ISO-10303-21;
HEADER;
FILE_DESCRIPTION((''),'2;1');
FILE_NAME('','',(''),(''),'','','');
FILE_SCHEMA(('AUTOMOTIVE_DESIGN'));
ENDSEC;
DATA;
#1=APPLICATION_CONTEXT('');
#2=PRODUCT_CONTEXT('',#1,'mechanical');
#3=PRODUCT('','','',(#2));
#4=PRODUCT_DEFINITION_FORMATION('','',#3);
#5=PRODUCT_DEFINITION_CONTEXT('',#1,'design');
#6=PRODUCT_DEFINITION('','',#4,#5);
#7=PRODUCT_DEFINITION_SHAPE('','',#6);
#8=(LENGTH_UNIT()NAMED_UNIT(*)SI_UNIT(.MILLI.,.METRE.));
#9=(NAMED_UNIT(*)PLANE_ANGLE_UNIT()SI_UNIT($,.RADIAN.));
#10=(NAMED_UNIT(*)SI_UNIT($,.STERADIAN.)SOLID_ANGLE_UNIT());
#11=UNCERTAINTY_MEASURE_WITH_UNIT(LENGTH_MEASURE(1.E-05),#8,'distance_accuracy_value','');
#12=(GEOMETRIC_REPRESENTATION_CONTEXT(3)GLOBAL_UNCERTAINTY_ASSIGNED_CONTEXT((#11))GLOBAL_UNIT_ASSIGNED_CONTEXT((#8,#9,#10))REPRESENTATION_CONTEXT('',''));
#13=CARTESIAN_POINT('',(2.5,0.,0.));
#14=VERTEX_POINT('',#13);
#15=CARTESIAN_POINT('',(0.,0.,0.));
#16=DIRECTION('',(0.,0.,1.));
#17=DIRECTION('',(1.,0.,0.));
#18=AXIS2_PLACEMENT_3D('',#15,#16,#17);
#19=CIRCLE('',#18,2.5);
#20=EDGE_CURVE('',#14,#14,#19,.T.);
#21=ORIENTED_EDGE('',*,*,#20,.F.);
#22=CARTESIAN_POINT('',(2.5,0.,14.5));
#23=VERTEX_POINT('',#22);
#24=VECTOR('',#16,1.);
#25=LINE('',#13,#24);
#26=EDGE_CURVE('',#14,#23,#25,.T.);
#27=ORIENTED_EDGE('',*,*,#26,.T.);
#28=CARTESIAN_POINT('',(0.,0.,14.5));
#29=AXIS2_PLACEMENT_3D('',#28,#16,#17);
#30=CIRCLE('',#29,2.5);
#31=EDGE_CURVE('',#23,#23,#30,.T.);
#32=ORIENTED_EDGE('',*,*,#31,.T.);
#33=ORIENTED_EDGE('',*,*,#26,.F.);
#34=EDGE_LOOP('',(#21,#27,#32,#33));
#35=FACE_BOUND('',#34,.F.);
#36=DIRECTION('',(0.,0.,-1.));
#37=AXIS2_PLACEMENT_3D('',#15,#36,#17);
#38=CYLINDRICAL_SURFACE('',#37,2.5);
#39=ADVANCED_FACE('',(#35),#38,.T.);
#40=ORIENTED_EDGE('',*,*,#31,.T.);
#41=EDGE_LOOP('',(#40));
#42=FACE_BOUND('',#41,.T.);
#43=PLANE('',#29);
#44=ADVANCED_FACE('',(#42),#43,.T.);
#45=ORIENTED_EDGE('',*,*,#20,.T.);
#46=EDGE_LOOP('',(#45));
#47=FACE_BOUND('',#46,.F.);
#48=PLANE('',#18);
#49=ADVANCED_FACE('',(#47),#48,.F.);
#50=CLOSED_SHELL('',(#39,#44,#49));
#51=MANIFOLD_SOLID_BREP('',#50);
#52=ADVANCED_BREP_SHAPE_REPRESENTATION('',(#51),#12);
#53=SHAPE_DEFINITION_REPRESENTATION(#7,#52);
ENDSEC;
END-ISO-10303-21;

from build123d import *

# Parameters (mm, degrees)
SKETCH_1_R      = 2.5
EXTRUDE_1_DEPTH = 14.5


with BuildPart() as part:
    # 草图1 → 凸台-拉伸1 (new body)
    with BuildSketch(Plane.XY):
        Circle(SKETCH_1_R)
    extrude(amount=EXTRUDE_1_DEPTH)


solid = part.part
